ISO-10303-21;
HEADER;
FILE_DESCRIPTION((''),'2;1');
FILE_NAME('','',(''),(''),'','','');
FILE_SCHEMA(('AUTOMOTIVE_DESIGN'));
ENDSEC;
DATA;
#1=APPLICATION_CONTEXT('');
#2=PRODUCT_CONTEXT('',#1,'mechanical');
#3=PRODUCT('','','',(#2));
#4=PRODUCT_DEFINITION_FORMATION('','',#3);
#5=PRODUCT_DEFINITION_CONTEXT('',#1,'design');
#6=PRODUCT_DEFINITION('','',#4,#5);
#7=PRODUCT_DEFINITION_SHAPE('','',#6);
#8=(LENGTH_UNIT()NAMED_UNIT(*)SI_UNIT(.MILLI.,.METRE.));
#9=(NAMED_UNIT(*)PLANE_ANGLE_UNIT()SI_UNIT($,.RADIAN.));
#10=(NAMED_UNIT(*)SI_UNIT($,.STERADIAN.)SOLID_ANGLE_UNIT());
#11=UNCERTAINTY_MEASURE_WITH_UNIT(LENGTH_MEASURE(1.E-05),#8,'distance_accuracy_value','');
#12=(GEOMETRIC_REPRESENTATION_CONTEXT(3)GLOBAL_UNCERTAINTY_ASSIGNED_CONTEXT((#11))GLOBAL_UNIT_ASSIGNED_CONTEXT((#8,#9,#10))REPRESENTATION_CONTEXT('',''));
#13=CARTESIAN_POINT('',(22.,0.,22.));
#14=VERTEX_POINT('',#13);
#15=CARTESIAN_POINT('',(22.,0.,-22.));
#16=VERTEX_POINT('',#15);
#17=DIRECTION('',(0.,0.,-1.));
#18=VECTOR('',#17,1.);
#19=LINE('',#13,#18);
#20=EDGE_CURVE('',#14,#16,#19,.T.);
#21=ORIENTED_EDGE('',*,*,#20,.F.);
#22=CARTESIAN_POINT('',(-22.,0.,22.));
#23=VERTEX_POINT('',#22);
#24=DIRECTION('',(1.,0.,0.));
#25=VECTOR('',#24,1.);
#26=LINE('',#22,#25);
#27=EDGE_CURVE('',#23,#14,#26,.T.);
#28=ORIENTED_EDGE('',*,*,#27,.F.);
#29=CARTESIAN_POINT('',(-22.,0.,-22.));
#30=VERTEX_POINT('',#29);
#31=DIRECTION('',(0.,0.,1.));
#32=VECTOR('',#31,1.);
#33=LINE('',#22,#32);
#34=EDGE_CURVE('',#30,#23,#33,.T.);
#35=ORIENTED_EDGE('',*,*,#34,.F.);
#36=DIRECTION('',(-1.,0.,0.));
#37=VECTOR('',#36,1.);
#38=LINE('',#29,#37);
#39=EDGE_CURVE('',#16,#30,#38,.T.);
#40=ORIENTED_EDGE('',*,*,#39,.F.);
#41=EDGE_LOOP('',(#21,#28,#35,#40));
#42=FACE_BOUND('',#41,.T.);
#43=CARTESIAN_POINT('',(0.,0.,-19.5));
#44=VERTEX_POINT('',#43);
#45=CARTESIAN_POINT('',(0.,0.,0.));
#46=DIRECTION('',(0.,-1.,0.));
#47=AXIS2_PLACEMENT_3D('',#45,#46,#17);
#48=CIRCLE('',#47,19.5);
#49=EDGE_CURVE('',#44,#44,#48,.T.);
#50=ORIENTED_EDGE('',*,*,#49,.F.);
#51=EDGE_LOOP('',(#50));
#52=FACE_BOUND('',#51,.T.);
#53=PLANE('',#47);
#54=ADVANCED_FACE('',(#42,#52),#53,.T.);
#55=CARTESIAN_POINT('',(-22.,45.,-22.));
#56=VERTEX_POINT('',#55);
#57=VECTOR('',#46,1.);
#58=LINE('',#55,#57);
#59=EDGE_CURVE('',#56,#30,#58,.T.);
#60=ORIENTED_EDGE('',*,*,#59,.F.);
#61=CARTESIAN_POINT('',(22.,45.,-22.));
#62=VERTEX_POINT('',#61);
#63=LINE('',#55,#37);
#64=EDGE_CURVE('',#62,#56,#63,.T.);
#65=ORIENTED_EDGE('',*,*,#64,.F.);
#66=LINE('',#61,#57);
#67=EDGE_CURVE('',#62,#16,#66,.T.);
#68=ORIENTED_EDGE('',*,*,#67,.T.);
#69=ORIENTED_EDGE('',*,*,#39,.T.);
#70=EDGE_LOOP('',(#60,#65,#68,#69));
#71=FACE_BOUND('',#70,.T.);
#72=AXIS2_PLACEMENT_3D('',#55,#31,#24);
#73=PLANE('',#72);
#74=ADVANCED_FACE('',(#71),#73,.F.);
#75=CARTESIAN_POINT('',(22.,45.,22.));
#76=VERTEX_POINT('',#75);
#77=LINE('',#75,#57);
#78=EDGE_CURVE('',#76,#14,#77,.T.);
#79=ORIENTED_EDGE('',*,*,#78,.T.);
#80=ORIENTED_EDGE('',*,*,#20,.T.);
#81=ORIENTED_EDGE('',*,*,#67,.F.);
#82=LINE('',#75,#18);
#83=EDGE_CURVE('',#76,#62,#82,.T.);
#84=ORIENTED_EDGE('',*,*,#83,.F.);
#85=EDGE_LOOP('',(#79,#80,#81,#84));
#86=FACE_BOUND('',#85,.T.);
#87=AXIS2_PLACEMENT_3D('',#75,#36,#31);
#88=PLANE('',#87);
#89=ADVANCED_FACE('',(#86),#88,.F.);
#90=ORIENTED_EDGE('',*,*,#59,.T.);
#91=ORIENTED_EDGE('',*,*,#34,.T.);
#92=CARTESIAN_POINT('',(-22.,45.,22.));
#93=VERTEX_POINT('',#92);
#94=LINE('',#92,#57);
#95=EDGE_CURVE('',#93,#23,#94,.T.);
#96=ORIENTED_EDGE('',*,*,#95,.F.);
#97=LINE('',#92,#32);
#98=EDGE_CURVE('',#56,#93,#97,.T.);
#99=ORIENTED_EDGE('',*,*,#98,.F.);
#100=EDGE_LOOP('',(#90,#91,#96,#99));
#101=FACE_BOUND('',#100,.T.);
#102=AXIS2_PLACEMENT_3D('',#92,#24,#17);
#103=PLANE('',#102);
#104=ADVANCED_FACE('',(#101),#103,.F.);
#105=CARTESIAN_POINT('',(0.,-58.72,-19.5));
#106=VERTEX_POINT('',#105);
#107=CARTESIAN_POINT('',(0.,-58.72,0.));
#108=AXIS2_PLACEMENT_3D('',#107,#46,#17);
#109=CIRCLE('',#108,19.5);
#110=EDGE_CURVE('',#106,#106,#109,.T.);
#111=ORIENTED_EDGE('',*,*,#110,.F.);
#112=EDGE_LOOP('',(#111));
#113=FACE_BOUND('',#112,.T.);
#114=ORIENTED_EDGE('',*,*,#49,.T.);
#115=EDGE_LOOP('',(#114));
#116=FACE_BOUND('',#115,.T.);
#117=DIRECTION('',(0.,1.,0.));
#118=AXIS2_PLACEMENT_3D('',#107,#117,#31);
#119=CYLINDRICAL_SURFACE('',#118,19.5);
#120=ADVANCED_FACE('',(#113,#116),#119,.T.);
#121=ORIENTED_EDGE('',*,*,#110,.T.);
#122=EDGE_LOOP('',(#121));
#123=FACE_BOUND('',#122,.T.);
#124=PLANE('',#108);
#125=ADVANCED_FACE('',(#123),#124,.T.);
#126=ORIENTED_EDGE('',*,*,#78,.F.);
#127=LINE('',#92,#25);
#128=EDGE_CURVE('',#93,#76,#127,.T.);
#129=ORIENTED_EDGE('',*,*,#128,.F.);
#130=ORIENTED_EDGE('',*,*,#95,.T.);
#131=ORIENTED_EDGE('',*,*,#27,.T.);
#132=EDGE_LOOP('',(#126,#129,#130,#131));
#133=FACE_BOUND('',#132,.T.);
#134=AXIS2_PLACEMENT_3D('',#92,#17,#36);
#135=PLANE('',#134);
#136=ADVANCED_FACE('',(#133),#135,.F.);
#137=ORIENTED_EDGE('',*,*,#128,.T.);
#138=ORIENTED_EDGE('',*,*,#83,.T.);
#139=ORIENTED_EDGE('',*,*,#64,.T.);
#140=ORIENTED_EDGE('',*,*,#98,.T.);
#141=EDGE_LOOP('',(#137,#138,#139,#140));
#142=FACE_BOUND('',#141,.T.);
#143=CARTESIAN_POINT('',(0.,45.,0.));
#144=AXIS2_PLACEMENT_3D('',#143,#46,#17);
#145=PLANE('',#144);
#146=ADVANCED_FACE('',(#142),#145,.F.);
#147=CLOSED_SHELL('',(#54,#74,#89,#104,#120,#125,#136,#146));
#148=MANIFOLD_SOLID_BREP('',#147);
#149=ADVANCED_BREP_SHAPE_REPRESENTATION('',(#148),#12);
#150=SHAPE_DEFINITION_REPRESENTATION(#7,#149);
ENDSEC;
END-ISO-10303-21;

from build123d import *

# Parameters (mm, degrees)
SKETCH2_W           = 44
SKETCH2_H           = 44
BOSS_EXTRUDE1_DEPTH = 45
SKETCH3_R           = 19.5
BOSS_EXTRUDE2_DEPTH = 58.72


with BuildPart() as part:
    # Sketch2 → Boss-Extrude1 (new body)
    with BuildSketch(Plane(origin=(0, 0, 0), x_dir=(1, 0, 0), z_dir=(0, 1, 0))):
        Rectangle(SKETCH2_W, SKETCH2_H)
    extrude(amount=BOSS_EXTRUDE1_DEPTH)

    # Sketch3 → Boss-Extrude2 (add)
    with BuildSketch(Plane.XZ):
        with Locations(Location((0, 0, 0), (0, 0, 270))):  # turned: the seam where the file's is
            Circle(SKETCH3_R)
    extrude(amount=BOSS_EXTRUDE2_DEPTH)


solid = part.part
